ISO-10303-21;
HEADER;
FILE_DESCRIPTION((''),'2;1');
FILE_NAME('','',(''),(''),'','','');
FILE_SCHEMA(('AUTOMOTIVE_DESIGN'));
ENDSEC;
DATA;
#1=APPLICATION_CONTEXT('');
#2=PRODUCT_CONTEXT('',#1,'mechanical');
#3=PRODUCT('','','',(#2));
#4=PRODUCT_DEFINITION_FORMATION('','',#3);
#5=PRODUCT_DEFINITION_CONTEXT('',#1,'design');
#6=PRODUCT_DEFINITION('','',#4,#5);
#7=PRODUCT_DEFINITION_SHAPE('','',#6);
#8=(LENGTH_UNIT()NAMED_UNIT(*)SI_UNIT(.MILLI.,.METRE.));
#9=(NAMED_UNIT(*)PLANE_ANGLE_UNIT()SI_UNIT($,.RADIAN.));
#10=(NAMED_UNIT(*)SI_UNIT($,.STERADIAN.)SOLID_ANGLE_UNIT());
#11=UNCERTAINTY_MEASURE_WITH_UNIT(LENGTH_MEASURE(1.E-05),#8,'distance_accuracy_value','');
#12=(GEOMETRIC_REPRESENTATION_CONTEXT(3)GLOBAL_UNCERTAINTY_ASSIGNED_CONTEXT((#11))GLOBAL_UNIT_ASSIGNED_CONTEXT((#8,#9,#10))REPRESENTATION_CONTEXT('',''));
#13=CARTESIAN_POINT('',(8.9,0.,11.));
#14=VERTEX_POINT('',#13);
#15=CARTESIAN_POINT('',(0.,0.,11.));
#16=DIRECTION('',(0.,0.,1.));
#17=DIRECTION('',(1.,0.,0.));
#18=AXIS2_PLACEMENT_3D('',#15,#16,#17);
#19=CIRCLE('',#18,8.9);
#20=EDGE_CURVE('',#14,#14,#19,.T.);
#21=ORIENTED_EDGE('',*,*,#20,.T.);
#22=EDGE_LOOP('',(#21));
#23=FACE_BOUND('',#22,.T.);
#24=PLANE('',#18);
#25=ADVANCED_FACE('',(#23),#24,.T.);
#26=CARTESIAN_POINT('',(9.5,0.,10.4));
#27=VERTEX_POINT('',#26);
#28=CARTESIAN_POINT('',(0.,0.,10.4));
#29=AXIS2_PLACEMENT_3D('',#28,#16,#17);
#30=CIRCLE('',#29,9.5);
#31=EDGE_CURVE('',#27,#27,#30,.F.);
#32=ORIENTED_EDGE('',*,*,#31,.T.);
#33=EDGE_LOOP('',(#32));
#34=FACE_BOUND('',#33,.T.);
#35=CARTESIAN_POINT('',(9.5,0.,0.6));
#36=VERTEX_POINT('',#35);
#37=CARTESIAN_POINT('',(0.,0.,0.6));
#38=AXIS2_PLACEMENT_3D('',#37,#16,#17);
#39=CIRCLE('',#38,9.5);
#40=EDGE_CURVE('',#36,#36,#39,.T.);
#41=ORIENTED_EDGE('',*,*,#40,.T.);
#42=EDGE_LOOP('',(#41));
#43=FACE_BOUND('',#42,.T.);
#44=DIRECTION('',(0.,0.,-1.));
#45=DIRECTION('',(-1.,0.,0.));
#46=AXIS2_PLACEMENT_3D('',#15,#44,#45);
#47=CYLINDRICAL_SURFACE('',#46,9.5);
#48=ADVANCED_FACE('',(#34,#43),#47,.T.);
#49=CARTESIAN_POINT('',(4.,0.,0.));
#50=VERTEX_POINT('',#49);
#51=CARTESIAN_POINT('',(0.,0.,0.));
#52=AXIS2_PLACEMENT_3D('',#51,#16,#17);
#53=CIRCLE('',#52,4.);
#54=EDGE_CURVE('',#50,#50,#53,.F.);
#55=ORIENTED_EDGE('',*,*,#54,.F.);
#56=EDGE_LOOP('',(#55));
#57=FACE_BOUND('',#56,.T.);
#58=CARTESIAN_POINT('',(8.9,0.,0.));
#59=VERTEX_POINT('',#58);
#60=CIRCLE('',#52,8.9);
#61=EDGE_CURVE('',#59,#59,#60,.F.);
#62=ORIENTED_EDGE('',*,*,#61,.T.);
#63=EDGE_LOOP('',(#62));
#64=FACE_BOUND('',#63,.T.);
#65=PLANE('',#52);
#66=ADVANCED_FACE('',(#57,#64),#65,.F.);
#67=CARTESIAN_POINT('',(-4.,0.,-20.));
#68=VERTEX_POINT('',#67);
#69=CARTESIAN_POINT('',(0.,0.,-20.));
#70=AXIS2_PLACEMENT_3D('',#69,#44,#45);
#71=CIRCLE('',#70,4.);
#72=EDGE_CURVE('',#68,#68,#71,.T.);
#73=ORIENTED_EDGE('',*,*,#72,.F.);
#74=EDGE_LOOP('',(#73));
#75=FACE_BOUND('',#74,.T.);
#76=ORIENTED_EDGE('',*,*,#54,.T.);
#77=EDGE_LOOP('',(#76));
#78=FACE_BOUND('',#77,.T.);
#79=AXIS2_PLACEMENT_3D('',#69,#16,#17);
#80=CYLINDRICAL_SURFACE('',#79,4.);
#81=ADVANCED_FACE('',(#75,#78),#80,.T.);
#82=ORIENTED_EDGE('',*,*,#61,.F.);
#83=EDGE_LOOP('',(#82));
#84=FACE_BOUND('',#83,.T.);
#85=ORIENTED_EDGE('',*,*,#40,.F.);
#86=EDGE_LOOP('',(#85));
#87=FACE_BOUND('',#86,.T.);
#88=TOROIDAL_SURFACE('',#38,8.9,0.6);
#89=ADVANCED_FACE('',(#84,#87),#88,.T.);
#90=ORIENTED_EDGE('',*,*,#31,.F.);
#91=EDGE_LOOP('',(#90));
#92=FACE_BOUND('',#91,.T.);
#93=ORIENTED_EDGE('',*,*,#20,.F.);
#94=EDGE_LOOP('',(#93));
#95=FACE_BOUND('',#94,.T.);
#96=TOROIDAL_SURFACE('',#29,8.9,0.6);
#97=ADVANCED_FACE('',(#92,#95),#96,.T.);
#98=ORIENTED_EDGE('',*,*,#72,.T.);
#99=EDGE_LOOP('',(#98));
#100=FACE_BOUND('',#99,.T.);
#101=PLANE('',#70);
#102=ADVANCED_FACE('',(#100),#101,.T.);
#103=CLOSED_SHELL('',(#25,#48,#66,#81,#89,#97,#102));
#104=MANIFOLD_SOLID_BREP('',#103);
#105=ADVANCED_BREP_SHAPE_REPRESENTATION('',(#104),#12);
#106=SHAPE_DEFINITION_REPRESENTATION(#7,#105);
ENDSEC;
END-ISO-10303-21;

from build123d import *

# Parameters (mm, degrees)
SKETCH1_R           = 9.5
BOSS_EXTRUDE1_DEPTH = 11
SKETCH2_R           = 4
BOSS_EXTRUDE2_DEPTH = 20
FILLET1_R           = 0.6
FILLET2_R           = 0.6


with BuildPart() as part:
    # Sketch1 → Boss-Extrude1 (new body)
    with BuildSketch(Plane.XY):
        Circle(SKETCH1_R)
    extrude(amount=BOSS_EXTRUDE1_DEPTH)

    # Sketch2 → Boss-Extrude2 (add)
    with BuildSketch(Plane(origin=(0, 0, 0), x_dir=(-1, 0, 0), z_dir=(0, 0, -1))):
        Circle(SKETCH2_R)
    extrude(amount=BOSS_EXTRUDE2_DEPTH)

    # Fillet1
    fillet1_edges = [part.edges().sort_by_distance(p)[0] for p in [
        (-9.5, 0, 11),
    ]]
    fillet(fillet1_edges, radius=FILLET1_R)

    # Fillet2
    fillet2_edges = [part.edges().sort_by_distance(p)[0] for p in [
        (-9.5, 0, 0),
    ]]
    fillet(fillet2_edges, radius=FILLET2_R)


solid = part.part
